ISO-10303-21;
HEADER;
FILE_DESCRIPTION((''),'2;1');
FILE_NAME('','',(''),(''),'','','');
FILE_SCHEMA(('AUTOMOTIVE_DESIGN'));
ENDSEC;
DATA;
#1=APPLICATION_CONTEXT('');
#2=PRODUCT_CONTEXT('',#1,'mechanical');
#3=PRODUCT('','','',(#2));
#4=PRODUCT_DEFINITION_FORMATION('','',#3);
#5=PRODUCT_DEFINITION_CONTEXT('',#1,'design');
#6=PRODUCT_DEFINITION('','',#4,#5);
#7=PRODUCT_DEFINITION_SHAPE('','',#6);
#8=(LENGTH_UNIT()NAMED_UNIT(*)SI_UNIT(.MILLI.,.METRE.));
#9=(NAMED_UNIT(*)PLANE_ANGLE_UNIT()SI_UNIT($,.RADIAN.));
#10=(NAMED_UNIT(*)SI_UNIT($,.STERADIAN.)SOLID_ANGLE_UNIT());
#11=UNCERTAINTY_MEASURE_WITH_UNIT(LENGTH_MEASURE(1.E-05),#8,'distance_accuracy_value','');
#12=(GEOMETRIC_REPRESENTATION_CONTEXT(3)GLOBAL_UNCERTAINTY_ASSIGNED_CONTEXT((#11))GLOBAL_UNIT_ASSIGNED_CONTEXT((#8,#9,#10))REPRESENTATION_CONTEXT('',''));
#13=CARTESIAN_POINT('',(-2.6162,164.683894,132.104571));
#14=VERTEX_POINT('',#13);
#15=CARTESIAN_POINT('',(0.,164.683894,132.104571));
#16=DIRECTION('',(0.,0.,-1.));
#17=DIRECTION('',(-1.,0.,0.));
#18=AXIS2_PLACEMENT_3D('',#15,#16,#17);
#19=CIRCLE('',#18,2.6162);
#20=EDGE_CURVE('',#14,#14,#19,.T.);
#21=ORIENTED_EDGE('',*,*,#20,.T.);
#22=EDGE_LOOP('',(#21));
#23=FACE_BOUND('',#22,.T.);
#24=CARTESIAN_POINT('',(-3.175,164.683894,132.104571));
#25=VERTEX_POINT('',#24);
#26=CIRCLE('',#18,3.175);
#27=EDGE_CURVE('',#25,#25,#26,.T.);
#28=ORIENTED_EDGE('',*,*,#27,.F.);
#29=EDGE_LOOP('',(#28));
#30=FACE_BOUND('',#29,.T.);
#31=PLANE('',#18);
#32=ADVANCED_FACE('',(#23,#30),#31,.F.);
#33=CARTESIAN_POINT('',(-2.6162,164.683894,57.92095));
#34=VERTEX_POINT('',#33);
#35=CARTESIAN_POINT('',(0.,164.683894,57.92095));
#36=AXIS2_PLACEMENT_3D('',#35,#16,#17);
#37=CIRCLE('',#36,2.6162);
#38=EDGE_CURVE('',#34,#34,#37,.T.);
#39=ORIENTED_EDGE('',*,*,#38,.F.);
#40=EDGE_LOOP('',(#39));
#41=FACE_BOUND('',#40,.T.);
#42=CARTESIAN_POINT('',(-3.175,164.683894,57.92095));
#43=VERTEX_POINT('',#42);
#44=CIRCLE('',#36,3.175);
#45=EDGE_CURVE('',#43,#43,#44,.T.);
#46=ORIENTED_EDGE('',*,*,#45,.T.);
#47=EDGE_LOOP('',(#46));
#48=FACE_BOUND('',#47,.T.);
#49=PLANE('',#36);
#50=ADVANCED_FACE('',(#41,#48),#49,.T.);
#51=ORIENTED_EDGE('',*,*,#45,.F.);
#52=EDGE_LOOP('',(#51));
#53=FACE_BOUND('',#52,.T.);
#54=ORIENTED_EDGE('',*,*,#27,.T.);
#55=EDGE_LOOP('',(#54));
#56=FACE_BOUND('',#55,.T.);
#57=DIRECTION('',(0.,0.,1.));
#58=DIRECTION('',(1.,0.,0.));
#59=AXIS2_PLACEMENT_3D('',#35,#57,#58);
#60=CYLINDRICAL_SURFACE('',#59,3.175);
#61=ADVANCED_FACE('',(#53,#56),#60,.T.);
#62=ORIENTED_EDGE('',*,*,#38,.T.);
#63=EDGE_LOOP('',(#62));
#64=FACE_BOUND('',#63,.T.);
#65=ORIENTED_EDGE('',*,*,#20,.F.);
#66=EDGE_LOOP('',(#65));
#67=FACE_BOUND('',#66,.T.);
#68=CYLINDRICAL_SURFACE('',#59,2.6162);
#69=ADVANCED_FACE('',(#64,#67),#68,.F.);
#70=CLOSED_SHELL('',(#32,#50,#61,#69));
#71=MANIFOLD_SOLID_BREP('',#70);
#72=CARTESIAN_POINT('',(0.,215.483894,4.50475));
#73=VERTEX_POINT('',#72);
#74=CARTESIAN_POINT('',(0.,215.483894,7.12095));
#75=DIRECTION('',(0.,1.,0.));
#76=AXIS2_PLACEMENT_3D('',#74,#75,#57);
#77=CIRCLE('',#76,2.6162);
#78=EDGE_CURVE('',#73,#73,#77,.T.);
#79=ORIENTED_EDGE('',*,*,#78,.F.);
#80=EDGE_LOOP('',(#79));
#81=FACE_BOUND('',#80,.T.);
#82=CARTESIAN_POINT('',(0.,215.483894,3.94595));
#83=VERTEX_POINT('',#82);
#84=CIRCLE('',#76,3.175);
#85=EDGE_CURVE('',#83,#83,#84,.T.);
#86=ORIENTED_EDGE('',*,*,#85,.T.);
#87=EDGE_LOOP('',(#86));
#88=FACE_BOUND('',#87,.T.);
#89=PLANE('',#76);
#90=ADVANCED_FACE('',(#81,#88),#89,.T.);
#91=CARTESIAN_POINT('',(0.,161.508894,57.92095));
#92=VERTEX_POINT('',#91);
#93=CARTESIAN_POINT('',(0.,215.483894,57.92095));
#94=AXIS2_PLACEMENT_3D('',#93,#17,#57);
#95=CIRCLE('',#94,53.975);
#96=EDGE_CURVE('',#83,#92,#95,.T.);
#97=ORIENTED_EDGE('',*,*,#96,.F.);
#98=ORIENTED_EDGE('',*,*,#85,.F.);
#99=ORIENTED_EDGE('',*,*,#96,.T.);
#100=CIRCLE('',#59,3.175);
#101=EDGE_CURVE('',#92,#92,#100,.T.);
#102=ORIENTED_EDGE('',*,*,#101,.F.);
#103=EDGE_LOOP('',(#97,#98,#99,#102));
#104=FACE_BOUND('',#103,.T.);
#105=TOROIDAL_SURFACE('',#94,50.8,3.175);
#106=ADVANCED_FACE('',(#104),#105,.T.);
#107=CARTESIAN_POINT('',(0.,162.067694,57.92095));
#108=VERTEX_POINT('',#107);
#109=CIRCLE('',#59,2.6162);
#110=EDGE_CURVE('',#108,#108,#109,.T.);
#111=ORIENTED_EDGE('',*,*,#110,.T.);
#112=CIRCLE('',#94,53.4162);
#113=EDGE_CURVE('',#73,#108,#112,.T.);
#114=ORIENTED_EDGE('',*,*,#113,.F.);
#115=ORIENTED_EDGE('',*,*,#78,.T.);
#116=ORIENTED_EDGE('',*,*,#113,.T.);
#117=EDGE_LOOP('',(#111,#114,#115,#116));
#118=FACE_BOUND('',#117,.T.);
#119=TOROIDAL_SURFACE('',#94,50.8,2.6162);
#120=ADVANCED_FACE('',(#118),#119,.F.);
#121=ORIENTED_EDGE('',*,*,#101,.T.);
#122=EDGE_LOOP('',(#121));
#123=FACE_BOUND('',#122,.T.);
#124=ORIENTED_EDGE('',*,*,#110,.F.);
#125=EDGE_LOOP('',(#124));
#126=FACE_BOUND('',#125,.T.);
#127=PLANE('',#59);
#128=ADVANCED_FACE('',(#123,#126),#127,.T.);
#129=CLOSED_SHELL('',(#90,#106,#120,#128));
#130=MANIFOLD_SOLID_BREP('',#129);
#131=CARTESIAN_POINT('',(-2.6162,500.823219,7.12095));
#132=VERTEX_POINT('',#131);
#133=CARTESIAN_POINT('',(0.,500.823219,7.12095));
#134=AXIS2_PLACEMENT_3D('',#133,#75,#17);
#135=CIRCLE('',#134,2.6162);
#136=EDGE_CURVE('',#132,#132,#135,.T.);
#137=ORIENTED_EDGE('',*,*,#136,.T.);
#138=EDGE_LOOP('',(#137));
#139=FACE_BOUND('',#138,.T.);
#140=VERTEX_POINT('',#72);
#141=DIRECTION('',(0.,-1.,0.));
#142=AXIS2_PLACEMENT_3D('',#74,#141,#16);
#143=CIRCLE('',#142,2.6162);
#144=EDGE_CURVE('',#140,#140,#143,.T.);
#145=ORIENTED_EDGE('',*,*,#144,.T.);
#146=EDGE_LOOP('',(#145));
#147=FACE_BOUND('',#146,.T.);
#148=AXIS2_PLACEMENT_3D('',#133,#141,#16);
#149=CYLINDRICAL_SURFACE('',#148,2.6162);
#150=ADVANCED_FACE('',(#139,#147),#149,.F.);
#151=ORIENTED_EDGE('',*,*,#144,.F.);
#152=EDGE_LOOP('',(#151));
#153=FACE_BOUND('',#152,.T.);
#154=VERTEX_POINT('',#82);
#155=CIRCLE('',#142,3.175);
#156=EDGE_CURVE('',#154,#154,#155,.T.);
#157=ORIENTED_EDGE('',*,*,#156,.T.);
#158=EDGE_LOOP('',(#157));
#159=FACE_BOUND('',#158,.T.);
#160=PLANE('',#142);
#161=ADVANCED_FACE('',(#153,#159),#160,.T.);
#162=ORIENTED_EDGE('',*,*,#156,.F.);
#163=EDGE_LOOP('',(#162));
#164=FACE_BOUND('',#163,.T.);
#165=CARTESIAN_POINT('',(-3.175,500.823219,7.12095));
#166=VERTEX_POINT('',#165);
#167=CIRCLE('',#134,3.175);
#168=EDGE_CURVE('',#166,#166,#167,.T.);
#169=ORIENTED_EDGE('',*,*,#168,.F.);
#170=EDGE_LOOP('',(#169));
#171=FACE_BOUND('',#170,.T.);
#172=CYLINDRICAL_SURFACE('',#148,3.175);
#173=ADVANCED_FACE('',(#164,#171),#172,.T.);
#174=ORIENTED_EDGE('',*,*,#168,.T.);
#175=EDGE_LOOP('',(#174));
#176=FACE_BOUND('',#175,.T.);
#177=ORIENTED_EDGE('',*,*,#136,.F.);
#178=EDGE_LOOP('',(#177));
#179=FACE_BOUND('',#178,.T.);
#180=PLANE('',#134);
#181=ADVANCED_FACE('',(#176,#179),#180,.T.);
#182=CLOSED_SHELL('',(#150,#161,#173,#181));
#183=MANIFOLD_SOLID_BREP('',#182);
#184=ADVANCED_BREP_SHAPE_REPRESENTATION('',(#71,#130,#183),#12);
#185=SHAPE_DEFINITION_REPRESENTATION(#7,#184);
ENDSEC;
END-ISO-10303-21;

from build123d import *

# Parameters (mm, degrees)
SKETCH11_R                = 3.175
SKETCH11_R_2              = 2.6162
PIPE_0_5_SCH_40_1_DEPTH   = 74.183620327
SKETCH11_ON_SEGMENT_2_R   = 3.175
SKETCH11_ON_SEGMENT_2_R_2 = 2.6162
PIPE_0_5_SCH_40_1_2_ANGLE = 90
SKETCH11_ON_SEGMENT_3_R   = 3.175
SKETCH11_ON_SEGMENT_3_R_2 = 2.6162
PIPE_0_5_SCH_40_1_3_DEPTH = 285.339325207


with BuildPart() as part:
    # Sketch11 → Pipe 0.5 SCH 40(1) (new body)
    with BuildSketch(Plane(origin=(0, 164.683893963, 132.104570697), x_dir=(0, 1, 0), z_dir=(0, 0, -1))):
        Circle(SKETCH11_R)
        Circle(SKETCH11_R_2, mode=Mode.SUBTRACT)
    extrude(amount=PIPE_0_5_SCH_40_1_DEPTH)


with BuildPart() as body_2:
    # Sketch11 on segment 2 (carried to the start of arc 2) → Pipe 0.5 SCH 40_1 2 (revolve)
    with BuildSketch(Plane(origin=(0, 164.683893963, 57.920950369), x_dir=(0, 1, 0), z_dir=(0, 0, -1))):
        Circle(SKETCH11_ON_SEGMENT_2_R)
        Circle(SKETCH11_ON_SEGMENT_2_R_2, mode=Mode.SUBTRACT)
    revolve(axis=Axis((0, 215.483893963, 57.920950369), (1, 0, 0)), revolution_arc=PIPE_0_5_SCH_40_1_2_ANGLE)


with BuildPart() as body_3:
    # Sketch11 on segment 3 (carried to segment 3) → Pipe 0.5 SCH 40_1 3 (new body)
    with BuildSketch(Plane(origin=(0, 215.483893963, 7.120950369), x_dir=(0, 0, 1), z_dir=(0, 1, 0))):
        Circle(SKETCH11_ON_SEGMENT_3_R)
        Circle(SKETCH11_ON_SEGMENT_3_R_2, mode=Mode.SUBTRACT)
    extrude(amount=PIPE_0_5_SCH_40_1_3_DEPTH)


solid = Compound([part.part, body_2.part, body_3.part])
